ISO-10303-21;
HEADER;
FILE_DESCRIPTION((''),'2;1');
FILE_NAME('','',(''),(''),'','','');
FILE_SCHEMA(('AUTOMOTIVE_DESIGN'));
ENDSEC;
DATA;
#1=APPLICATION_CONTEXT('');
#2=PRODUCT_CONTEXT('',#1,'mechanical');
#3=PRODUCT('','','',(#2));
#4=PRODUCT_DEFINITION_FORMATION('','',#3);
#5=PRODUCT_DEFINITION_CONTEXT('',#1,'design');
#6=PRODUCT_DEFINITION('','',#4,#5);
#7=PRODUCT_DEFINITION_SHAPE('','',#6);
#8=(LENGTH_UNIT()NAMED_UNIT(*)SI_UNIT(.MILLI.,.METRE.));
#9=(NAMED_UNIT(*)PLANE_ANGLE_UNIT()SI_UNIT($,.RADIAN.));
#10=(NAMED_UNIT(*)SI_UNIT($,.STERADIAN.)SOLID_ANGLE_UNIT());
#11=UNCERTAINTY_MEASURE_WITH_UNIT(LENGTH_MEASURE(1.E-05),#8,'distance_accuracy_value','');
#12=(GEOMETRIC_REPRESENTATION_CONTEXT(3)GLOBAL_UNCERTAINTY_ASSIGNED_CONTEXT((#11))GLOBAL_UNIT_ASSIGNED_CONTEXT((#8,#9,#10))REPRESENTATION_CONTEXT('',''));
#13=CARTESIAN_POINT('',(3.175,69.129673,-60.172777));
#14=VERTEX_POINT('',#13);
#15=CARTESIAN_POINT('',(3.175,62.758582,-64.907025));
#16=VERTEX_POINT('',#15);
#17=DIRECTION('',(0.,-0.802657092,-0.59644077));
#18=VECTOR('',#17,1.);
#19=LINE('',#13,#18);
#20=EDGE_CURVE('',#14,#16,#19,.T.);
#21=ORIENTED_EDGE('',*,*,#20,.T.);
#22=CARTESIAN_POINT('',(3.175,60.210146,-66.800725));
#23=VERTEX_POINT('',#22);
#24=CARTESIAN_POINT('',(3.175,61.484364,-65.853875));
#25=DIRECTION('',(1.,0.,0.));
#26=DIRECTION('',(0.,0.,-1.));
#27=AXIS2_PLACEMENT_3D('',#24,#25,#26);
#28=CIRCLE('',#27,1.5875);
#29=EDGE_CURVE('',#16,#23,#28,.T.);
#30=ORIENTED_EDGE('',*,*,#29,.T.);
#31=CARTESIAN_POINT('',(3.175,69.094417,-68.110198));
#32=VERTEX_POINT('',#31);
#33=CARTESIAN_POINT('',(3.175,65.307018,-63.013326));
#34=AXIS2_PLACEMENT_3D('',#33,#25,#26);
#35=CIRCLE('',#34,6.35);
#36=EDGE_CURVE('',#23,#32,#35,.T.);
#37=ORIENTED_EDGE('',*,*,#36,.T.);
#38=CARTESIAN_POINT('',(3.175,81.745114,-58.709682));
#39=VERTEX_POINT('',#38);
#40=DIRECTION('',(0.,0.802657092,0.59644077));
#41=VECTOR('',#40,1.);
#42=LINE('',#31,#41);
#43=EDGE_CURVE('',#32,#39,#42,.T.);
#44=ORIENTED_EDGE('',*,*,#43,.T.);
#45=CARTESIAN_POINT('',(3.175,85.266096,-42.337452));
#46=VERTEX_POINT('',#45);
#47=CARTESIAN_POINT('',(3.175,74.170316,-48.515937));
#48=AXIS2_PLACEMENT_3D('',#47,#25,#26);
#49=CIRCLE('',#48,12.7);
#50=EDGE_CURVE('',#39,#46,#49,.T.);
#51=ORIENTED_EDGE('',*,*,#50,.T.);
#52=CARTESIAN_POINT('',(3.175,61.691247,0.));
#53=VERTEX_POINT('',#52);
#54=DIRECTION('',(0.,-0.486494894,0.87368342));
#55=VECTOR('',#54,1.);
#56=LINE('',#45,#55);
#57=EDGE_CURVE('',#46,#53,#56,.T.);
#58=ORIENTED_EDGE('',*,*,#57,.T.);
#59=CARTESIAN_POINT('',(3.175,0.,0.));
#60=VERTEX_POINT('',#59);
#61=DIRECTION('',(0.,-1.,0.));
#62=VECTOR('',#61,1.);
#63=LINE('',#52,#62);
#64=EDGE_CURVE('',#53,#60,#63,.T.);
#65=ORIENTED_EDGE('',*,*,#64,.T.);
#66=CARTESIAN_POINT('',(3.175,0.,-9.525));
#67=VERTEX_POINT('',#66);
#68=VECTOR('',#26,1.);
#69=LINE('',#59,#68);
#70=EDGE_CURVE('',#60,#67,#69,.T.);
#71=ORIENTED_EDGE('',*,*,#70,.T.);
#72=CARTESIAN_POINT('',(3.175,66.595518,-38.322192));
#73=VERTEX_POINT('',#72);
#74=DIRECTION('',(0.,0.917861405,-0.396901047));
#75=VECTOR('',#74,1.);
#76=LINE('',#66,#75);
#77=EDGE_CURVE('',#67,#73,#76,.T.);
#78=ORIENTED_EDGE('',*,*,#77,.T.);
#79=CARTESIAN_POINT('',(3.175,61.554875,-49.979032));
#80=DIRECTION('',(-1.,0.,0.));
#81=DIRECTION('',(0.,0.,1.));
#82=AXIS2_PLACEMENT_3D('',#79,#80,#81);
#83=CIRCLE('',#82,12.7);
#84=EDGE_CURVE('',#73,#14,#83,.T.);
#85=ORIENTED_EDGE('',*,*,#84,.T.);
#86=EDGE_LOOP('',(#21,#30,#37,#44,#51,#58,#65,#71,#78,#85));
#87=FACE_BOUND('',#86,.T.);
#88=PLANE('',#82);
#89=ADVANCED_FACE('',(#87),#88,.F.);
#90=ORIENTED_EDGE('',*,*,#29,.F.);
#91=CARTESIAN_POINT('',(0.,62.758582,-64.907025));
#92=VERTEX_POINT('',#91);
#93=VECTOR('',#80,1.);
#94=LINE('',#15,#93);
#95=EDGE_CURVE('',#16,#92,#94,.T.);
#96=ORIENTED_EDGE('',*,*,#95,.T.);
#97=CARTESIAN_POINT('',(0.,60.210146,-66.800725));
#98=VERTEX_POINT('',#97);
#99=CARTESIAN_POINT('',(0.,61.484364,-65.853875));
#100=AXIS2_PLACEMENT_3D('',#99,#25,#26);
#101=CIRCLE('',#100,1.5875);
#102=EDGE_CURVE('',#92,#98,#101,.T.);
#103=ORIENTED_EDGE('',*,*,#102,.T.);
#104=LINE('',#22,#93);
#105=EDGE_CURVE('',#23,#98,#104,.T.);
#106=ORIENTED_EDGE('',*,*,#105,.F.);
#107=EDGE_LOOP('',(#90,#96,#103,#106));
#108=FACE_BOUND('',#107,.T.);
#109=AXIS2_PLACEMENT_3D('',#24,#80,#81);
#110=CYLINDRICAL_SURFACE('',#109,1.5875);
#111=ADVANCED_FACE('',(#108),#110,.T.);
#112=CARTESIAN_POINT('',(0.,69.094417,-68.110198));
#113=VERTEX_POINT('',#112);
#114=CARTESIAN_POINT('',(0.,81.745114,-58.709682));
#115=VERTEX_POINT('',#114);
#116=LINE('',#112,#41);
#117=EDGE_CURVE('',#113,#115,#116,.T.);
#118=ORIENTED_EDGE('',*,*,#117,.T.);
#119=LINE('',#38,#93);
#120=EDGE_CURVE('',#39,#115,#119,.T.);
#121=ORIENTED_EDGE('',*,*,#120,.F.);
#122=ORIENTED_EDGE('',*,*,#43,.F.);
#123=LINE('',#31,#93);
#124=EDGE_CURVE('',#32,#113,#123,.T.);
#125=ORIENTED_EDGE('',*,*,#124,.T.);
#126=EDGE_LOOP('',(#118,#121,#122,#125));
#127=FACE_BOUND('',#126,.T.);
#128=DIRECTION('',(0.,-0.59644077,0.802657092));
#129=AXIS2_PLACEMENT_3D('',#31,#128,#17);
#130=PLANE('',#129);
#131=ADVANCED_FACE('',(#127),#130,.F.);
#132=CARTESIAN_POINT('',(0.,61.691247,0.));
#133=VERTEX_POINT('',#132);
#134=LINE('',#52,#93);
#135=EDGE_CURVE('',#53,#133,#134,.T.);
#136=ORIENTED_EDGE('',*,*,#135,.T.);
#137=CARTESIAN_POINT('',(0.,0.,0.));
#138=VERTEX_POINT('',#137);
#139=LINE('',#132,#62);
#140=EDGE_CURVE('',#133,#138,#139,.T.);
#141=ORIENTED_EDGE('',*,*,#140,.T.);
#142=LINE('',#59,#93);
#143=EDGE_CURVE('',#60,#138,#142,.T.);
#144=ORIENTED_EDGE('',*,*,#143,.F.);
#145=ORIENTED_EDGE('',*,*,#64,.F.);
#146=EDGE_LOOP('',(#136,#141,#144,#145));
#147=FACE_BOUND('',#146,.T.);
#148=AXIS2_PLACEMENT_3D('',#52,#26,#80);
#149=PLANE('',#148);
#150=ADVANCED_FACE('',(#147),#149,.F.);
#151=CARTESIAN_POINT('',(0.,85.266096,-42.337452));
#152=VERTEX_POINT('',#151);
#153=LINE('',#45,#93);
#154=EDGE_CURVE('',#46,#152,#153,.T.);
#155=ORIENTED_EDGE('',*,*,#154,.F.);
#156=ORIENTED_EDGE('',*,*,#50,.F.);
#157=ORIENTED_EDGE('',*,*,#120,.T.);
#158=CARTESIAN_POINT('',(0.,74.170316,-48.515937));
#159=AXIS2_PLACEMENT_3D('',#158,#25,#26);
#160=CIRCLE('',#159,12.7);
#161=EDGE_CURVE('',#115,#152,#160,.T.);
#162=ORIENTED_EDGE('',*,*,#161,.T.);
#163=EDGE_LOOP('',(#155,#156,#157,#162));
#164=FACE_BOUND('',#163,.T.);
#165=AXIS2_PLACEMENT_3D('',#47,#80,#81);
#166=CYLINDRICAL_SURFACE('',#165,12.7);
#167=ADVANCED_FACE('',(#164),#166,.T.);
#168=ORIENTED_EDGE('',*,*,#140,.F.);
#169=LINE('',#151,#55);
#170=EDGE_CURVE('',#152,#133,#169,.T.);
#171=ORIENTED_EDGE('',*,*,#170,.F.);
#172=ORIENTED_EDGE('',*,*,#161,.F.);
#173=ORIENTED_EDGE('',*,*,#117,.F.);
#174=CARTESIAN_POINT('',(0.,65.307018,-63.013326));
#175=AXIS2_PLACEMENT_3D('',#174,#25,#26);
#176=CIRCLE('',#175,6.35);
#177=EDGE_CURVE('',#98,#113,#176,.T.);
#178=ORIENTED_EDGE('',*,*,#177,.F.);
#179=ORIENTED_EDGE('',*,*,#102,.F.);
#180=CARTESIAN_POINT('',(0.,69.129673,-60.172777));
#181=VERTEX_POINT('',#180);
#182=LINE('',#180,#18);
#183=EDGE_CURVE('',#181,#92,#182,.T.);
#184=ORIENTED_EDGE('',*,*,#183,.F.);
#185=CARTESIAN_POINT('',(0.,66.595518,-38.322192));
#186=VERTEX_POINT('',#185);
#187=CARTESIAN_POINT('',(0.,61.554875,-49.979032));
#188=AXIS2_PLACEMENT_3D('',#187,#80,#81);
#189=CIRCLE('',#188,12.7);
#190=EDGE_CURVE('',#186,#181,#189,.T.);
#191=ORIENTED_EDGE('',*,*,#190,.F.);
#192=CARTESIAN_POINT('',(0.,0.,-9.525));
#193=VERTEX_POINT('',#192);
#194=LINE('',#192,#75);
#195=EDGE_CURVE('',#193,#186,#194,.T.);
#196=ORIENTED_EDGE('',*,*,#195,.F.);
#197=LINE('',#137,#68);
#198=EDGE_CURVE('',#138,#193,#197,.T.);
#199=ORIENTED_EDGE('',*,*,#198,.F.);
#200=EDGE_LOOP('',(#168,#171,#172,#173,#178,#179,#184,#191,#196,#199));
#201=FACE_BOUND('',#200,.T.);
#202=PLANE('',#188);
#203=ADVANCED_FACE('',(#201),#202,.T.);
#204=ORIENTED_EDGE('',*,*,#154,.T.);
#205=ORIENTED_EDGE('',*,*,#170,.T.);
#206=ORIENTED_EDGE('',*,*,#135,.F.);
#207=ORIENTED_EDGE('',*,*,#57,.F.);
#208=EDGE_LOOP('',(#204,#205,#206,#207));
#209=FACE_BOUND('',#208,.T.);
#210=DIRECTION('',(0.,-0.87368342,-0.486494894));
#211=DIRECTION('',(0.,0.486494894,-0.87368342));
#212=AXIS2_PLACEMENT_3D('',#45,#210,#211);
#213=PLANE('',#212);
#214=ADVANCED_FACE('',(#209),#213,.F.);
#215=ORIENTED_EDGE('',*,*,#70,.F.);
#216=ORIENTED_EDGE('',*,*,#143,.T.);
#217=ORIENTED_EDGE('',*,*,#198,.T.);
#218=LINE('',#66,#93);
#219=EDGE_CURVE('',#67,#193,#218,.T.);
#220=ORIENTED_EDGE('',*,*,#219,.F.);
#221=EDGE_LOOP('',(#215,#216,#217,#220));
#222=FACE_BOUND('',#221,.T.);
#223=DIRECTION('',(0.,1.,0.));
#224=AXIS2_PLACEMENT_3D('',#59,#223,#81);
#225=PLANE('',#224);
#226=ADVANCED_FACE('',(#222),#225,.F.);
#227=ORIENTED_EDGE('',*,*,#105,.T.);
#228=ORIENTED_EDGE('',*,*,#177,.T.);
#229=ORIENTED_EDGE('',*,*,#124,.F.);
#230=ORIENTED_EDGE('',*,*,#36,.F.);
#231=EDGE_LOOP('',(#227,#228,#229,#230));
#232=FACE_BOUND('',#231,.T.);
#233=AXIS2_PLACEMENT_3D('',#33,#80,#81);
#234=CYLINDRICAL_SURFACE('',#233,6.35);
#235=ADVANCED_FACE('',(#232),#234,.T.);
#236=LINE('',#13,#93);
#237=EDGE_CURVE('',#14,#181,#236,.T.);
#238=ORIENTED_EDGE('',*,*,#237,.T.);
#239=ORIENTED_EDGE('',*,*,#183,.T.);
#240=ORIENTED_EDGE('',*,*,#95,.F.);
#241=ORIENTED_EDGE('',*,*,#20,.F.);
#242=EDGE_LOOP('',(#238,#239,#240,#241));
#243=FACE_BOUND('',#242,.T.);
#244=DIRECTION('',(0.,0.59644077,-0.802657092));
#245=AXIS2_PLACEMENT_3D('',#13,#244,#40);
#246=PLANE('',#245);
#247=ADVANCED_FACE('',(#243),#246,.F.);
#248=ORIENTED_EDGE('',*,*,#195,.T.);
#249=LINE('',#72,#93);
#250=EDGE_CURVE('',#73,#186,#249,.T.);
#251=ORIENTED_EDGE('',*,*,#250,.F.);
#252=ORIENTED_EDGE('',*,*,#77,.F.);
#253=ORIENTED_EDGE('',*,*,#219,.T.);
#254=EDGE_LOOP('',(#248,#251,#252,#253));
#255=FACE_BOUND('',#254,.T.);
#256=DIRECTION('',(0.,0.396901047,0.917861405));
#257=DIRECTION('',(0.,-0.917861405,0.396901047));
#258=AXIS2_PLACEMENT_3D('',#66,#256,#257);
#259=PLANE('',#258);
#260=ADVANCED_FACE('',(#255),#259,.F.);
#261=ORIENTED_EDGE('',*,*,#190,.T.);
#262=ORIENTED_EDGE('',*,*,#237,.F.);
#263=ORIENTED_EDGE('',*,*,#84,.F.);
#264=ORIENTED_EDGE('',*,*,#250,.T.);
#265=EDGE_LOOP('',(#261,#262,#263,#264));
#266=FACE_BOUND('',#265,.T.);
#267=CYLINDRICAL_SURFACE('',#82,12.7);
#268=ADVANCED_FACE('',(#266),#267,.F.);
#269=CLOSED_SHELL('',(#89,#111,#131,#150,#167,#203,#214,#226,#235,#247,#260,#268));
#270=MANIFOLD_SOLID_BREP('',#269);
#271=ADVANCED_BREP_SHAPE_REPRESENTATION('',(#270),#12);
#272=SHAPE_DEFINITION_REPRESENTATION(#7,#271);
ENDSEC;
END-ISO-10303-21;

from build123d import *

# Parameters (mm, degrees)
BOSS_EXTRUDE1_DEPTH = 3.175


with BuildPart() as part:
    # Sketch1 → Boss-Extrude1 (new body)
    with BuildSketch(Plane(origin=(0, 0, 0), x_dir=(0, 0, -1), z_dir=(1, 0, 0))):
        with BuildLine():
            Line((0, 0), (9.525, 0))
            Line((9.525, 0), (38.322191876, 66.595518378))
            ThreePointArc((38.322191876, 66.595518378), (48.515936948, 74.170316159), (60.17277679, 69.129672857))
            Line((60.17277679, 69.129672857), (64.907025403, 62.758582188))
            ThreePointArc((64.907025403, 62.758582188), (64.579656991, 60.537514331), (66.800724848, 60.21014592))
            ThreePointArc((66.800724848, 60.21014592), (69.295454529, 64.381080761), (68.110198493, 69.094417346))
            Line((68.110198493, 69.094417346), (58.709682019, 81.745113939))
            ThreePointArc((58.709682019, 81.745113939), (51.186125331, 86.5864385), (42.337451795, 85.266095591))
            Line((42.337451795, 85.266095591), (0, 61.691247253))
            Line((0, 61.691247253), (0, 0))
        make_face()
    extrude(amount=BOSS_EXTRUDE1_DEPTH)


solid = part.part
